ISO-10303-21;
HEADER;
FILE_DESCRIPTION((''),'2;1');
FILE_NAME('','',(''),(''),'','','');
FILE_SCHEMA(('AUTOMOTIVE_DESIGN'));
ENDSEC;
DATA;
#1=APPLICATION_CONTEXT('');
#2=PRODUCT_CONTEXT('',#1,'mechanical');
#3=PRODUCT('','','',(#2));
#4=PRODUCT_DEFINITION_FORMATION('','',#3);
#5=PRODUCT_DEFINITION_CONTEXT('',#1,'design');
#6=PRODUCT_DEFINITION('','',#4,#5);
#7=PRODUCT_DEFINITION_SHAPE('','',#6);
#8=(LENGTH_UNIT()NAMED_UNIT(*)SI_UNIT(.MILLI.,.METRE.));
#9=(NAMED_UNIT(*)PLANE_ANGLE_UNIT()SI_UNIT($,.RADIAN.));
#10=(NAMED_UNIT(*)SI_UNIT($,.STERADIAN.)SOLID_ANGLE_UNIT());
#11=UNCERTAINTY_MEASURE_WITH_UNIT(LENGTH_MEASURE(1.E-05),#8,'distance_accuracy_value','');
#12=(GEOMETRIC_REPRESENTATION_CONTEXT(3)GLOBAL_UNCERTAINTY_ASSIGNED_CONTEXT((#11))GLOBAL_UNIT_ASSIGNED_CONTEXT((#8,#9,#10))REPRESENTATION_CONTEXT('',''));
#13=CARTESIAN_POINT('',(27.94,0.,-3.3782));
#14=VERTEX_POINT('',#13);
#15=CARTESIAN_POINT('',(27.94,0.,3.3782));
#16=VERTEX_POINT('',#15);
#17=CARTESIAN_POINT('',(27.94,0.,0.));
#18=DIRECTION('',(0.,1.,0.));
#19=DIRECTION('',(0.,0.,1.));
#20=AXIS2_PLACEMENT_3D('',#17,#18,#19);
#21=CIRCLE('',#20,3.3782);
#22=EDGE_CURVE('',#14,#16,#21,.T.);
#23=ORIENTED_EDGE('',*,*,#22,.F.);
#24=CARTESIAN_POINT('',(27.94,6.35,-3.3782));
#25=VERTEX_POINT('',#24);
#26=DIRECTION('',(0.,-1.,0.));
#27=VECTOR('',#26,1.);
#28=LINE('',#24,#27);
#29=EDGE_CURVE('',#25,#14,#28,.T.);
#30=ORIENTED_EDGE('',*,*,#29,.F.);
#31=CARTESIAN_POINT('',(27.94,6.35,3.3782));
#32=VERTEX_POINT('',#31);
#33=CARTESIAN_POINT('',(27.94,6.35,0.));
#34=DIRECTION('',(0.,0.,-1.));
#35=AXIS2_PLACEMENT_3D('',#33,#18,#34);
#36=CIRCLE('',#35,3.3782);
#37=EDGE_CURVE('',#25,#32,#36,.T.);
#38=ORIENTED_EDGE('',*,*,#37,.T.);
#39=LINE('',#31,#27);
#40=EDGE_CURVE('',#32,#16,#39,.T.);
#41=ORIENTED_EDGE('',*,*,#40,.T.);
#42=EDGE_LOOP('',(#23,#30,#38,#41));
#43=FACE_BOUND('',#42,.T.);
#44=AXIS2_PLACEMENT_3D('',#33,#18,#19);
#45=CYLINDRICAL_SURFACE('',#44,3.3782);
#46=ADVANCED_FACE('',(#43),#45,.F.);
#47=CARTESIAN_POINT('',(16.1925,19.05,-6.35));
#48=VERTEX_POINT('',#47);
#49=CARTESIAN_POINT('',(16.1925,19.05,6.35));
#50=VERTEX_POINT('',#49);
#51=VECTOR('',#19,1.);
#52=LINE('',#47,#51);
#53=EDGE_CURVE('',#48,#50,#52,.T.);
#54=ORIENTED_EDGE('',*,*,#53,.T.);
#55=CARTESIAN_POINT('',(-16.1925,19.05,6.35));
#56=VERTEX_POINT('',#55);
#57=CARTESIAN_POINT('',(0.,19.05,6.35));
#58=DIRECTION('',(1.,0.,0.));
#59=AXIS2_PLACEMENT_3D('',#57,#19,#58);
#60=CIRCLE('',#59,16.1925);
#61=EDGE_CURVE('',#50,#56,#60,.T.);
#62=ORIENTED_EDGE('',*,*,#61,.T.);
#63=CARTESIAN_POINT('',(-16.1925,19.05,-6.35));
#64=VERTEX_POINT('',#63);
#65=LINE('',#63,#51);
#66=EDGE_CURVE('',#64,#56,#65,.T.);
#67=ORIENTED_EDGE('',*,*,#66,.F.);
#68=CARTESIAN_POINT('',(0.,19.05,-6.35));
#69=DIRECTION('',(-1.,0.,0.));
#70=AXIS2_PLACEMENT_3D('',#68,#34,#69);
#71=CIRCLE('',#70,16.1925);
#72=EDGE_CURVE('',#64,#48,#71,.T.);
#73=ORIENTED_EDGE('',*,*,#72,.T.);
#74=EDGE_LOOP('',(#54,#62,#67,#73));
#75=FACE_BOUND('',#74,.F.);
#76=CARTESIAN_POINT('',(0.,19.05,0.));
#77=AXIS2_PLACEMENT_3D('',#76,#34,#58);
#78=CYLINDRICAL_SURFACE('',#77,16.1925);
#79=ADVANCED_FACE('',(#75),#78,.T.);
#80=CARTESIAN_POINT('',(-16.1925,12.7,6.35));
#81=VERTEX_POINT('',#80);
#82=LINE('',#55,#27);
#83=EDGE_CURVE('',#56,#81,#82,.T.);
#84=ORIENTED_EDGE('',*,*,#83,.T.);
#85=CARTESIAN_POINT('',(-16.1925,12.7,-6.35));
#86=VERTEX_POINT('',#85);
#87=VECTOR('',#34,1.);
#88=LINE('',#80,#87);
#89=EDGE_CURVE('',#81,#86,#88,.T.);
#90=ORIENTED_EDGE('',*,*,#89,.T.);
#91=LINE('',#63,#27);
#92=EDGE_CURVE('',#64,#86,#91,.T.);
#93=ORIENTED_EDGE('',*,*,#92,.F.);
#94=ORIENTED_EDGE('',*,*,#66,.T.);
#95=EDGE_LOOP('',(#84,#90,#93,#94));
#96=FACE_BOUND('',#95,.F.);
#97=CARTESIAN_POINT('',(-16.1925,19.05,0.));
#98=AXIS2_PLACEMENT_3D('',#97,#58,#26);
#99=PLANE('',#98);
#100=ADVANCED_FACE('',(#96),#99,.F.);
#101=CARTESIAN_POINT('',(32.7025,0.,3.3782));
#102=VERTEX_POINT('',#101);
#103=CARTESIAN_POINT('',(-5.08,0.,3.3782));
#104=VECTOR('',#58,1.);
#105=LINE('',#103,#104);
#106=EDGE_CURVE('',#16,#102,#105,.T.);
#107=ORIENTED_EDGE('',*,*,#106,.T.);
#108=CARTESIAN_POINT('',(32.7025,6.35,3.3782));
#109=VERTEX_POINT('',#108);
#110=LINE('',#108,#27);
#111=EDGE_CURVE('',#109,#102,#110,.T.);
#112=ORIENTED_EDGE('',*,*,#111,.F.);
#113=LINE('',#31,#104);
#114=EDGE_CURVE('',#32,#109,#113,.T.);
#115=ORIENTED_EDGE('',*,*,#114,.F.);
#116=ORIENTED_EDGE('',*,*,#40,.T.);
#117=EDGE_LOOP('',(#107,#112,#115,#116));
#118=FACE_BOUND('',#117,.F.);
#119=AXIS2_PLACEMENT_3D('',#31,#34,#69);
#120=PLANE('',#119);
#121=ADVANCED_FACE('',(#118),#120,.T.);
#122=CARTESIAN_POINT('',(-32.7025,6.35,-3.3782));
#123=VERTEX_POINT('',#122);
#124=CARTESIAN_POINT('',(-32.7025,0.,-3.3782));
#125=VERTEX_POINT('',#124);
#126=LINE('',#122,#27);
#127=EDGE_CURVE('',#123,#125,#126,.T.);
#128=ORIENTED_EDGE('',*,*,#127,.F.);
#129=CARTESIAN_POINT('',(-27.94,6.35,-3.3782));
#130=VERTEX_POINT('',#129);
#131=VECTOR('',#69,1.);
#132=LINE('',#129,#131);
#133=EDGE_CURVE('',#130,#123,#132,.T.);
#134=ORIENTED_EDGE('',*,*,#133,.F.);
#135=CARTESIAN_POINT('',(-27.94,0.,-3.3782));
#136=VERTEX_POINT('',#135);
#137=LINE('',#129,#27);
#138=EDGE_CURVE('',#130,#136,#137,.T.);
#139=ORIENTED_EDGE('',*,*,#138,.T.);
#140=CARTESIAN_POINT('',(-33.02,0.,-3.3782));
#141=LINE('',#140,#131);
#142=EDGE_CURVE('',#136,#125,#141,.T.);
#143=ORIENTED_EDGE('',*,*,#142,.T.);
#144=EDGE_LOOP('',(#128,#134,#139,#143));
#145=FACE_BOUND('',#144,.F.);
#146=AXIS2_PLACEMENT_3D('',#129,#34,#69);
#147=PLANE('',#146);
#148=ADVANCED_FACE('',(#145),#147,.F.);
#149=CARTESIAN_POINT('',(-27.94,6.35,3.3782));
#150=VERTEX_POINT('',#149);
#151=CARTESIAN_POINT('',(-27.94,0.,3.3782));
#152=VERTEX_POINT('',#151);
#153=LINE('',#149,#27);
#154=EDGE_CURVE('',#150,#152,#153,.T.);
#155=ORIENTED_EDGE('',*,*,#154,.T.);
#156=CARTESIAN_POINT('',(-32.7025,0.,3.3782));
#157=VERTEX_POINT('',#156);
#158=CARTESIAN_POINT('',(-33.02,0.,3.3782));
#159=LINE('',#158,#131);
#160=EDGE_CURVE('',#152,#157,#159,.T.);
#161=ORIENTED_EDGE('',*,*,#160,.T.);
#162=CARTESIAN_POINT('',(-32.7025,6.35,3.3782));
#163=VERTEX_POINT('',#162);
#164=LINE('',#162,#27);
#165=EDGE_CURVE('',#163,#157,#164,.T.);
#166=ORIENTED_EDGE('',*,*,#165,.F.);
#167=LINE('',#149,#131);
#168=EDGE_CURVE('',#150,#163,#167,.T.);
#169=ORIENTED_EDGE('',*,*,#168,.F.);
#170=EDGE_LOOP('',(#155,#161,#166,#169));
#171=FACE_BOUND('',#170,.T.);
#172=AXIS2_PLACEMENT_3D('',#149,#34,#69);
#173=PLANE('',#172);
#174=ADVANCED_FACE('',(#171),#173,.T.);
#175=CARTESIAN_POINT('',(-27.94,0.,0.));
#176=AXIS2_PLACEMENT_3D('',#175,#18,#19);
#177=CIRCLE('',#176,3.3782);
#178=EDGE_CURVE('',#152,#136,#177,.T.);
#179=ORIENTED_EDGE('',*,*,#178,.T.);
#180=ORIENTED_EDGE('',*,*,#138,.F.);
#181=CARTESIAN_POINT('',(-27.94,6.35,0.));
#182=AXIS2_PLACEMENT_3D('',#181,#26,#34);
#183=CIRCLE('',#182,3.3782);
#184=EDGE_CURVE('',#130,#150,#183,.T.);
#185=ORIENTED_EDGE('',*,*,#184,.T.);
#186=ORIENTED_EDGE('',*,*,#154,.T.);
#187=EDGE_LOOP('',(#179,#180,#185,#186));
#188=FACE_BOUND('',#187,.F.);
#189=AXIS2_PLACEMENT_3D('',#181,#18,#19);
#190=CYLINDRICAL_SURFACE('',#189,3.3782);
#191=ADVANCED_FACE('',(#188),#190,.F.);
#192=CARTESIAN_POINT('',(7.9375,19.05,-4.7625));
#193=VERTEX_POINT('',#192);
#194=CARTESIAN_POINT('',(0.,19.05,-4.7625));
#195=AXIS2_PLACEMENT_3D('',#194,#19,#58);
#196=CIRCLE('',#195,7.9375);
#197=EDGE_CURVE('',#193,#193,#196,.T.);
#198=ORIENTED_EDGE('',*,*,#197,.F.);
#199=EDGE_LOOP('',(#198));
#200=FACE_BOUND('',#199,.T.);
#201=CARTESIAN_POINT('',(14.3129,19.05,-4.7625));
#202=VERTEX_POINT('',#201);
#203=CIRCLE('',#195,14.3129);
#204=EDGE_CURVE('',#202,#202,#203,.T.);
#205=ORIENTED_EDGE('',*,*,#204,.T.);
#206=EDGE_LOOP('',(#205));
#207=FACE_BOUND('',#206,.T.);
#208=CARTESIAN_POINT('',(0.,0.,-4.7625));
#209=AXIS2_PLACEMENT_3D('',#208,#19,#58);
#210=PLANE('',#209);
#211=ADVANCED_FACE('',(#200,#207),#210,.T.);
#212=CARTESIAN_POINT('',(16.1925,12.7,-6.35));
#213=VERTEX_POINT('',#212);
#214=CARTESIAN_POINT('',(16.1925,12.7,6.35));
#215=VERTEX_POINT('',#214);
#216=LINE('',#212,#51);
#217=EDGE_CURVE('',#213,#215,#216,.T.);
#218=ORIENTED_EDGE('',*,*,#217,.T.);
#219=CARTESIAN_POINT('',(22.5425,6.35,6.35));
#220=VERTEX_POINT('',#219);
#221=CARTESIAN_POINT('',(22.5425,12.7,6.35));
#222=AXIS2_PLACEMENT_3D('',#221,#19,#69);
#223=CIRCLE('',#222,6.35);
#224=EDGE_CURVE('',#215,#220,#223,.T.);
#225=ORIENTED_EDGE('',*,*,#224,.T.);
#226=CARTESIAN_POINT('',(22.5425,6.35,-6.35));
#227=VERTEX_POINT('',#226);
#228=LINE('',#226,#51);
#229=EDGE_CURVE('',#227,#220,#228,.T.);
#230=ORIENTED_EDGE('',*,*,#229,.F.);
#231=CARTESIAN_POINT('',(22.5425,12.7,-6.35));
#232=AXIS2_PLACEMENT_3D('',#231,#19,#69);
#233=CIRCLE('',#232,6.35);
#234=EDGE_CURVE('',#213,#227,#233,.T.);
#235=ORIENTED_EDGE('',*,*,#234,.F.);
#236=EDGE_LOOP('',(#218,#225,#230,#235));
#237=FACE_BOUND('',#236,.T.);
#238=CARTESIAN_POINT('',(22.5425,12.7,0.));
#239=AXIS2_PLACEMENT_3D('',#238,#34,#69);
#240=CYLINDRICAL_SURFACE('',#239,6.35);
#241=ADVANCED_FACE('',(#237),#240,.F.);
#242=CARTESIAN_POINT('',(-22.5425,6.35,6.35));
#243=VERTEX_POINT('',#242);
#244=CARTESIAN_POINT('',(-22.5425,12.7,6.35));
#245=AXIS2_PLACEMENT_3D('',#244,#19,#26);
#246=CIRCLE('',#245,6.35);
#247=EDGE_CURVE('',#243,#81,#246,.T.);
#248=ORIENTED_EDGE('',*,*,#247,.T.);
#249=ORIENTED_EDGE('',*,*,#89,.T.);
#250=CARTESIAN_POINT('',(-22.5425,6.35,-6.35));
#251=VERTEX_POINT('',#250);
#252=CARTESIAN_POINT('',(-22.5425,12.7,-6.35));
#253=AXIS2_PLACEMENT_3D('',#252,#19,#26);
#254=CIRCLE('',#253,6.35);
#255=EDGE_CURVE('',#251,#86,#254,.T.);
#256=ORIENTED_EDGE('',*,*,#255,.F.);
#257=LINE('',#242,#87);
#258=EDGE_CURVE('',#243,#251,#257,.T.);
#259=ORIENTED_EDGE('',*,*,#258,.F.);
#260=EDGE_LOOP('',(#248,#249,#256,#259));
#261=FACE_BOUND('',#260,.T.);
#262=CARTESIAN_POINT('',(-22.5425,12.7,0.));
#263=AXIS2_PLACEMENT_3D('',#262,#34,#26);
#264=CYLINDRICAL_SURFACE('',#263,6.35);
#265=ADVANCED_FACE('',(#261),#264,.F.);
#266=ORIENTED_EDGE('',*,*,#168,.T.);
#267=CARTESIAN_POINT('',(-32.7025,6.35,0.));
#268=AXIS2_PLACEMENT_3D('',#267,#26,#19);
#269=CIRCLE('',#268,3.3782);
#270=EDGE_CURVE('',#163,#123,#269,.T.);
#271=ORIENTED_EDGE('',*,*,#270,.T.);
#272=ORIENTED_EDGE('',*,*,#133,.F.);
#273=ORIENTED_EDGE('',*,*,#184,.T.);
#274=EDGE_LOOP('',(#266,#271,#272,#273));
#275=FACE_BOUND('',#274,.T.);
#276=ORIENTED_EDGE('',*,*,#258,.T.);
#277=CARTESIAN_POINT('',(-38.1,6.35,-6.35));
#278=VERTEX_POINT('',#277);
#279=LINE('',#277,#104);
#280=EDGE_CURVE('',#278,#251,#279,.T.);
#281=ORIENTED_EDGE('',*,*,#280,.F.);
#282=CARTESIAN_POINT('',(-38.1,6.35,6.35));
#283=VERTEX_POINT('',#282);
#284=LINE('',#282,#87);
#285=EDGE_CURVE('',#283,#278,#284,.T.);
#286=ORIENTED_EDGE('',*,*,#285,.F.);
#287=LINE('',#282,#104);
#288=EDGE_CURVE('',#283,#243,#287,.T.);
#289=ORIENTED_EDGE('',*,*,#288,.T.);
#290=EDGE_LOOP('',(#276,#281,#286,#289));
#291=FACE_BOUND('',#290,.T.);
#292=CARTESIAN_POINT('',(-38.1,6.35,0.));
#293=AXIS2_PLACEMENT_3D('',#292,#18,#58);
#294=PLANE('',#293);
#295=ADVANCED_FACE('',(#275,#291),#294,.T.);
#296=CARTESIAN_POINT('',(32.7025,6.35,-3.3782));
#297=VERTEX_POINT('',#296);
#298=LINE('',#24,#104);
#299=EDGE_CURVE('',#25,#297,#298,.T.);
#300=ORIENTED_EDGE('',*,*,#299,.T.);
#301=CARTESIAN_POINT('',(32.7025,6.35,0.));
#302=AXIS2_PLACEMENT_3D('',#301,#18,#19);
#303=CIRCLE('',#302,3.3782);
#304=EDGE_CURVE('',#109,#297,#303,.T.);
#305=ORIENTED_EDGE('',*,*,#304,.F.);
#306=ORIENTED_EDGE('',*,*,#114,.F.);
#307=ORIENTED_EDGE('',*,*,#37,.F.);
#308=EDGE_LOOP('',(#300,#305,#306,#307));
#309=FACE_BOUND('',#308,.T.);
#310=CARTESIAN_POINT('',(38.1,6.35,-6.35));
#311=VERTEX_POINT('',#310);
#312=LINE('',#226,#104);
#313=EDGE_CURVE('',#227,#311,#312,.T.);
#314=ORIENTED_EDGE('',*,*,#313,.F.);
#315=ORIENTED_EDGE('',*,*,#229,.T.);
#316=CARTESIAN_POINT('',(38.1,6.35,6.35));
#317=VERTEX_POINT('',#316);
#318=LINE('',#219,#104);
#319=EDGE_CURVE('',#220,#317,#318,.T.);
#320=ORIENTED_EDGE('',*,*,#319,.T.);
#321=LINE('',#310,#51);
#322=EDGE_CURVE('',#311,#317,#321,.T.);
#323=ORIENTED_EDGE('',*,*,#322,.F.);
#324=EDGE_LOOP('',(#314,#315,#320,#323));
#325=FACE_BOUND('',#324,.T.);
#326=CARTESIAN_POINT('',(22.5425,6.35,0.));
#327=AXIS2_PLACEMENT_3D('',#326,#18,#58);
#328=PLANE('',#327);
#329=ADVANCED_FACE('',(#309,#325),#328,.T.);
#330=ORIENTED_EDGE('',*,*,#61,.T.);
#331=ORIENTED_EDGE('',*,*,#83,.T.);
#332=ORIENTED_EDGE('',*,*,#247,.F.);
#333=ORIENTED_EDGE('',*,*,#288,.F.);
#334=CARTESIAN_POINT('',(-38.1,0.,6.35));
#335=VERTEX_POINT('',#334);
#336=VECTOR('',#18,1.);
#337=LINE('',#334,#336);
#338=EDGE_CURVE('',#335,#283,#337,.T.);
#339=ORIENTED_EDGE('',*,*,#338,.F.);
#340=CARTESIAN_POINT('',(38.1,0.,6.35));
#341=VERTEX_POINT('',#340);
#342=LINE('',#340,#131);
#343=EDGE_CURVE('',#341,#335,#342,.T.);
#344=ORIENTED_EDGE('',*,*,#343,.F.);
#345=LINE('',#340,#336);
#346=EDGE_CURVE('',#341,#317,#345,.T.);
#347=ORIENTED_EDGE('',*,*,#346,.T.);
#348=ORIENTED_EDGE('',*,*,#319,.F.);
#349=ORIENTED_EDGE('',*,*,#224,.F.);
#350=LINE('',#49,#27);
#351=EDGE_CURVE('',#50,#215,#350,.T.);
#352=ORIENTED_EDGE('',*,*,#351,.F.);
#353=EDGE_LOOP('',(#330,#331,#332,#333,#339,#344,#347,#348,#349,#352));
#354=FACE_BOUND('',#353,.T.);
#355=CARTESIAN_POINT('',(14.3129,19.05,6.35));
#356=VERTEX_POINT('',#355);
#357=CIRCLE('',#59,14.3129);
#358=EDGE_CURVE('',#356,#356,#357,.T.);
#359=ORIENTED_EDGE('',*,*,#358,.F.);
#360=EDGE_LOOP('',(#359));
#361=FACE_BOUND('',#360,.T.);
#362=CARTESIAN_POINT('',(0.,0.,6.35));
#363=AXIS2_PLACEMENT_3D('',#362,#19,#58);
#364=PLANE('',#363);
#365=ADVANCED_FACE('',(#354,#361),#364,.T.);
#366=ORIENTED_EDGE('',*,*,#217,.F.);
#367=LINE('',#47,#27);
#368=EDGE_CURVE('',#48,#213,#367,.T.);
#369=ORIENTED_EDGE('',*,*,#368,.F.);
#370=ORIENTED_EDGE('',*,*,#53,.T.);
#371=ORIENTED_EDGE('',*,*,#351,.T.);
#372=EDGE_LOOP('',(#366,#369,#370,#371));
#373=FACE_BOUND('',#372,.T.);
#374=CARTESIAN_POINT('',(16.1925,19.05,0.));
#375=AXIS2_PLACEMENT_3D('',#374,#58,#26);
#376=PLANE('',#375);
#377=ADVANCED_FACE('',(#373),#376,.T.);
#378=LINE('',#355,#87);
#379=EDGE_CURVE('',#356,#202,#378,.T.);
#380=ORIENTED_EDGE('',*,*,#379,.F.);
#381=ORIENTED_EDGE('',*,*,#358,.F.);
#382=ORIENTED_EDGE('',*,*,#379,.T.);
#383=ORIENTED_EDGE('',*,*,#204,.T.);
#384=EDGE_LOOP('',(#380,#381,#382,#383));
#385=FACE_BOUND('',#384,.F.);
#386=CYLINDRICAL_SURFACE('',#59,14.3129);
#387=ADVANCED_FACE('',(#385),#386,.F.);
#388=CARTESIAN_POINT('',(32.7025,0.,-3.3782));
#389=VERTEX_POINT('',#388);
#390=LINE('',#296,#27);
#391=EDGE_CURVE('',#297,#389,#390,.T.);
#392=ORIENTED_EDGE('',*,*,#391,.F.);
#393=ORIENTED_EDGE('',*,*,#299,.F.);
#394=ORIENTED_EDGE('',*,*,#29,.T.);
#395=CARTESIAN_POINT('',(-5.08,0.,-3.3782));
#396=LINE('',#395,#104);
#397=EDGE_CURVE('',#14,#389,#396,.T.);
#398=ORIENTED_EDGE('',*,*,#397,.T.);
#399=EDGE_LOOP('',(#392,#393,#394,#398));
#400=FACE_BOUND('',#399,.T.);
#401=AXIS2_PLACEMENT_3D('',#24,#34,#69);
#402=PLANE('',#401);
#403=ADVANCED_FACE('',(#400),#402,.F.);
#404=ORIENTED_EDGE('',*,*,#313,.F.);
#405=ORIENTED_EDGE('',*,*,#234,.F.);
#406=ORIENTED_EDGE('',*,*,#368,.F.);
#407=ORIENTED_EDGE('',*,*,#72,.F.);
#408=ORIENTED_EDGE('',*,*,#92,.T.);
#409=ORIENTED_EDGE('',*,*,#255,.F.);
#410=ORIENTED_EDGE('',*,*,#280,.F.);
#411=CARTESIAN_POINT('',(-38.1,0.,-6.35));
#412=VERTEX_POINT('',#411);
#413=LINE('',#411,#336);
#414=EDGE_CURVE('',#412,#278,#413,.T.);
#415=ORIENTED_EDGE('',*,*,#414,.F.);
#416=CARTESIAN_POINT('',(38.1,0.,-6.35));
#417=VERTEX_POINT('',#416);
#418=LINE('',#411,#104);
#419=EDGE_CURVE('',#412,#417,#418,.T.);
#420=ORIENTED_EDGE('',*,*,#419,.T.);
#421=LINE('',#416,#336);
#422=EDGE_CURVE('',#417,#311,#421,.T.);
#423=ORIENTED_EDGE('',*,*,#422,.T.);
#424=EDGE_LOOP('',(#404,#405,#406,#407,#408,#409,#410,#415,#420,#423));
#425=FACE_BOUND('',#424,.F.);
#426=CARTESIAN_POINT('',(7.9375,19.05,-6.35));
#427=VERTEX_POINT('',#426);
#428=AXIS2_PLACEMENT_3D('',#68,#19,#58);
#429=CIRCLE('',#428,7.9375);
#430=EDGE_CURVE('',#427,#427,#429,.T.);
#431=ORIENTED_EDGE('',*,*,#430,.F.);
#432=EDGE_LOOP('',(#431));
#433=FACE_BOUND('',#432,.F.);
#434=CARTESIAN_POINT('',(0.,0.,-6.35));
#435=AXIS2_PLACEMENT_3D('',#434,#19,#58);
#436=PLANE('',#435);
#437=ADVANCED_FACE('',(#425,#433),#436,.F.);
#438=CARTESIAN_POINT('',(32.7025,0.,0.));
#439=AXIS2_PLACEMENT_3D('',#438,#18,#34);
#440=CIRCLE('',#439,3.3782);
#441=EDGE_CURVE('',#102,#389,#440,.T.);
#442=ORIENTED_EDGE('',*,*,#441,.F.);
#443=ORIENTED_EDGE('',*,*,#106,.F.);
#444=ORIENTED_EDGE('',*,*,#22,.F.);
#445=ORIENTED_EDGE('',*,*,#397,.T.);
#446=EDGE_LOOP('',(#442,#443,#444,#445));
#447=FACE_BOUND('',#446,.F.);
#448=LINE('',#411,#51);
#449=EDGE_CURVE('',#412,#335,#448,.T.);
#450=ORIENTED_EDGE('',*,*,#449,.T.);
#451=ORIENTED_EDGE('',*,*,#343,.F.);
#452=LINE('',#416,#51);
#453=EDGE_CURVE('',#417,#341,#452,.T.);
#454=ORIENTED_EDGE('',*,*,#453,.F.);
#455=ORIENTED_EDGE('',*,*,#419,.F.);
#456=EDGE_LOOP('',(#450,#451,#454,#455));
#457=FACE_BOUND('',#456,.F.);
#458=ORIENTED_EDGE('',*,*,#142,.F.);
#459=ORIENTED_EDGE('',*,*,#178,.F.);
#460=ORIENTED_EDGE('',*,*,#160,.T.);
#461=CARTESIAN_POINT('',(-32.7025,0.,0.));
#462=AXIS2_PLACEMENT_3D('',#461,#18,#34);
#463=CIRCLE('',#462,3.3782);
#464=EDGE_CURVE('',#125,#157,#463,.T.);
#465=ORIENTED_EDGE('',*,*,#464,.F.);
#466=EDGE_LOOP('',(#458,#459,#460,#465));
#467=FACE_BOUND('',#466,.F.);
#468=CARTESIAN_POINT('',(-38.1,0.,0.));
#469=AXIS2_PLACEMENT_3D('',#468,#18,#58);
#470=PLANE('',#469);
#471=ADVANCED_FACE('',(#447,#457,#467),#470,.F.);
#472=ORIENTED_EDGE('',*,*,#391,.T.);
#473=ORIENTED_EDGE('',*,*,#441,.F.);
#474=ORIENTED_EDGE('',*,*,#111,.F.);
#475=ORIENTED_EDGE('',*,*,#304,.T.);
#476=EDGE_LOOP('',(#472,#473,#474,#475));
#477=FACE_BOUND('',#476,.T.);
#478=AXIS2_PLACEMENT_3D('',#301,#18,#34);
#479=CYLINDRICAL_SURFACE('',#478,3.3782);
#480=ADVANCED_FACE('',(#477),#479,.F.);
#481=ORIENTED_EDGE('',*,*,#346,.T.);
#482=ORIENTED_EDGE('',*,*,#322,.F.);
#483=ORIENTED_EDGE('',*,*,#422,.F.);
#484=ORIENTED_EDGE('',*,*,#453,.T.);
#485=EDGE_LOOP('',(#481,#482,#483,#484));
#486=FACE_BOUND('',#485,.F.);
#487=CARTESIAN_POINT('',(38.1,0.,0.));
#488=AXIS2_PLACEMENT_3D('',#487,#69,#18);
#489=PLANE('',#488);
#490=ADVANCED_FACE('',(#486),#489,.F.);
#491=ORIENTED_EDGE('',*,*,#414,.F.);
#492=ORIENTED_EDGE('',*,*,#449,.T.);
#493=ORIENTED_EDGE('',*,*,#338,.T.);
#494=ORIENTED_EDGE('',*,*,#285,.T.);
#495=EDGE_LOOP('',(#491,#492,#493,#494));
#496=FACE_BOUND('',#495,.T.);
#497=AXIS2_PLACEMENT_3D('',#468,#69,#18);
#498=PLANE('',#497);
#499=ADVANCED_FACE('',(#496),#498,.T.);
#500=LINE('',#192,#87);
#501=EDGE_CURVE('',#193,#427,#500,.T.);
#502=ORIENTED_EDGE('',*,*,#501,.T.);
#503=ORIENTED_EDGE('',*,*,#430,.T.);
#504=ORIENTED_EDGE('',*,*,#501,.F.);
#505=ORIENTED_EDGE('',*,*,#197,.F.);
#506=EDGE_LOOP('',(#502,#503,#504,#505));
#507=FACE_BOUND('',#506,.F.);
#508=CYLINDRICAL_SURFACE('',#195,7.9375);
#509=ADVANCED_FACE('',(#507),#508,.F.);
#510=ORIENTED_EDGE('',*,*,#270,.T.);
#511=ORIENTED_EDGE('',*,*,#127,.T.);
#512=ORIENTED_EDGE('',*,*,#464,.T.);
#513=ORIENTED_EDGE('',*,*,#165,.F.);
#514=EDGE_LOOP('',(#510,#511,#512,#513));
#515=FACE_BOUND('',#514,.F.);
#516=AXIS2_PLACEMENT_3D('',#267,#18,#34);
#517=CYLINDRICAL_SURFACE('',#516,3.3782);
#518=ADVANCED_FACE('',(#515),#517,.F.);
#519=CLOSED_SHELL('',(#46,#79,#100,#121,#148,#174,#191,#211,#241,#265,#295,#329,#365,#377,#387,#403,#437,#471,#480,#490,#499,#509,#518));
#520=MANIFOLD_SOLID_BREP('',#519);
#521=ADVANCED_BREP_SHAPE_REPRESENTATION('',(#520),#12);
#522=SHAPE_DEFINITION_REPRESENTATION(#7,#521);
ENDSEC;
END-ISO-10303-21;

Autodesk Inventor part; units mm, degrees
ref_plane "YZ Plane" through (0, 0, 0) normal (1, 0, 0) x (0, 1, 0)
ref_plane "XZ Plane" through (0, 0, 0) normal (0, 1, 0) x (-1, 0, 0)
ref_plane "XY Plane" through (0, 0, 0) normal (0, 0, 1) x (1, 0, 0)
sketch "Sketch1" plane through (0, 0, 0) normal (0, 0, 1) x (1, 0, 0)
  line L0 (-53.34, 0) -> (53.34, 0) projected
  line L1 (0, -7.0485) -> (0, 42.291) projected
  line L2 (-38.1, 0) -> (38.1, 0)
  arc A0 (16.1925, 19.05) -> (-16.1925, 19.05) centre (0, 19.05) ccw
  line L3 (-38.1, 6.35) -> (-22.5425, 6.35)
  line L4 (22.5425, 6.35) -> (38.1, 6.35)
  line L5 (38.1, 0) -> (38.1, 6.35)
  line L6 (-38.1, 0) -> (-38.1, 6.35)
  line L7 (-16.1925, 19.05) -> (-16.1925, 12.7)
  line L8 (16.1925, 19.05) -> (16.1925, 12.7)
  arc A1 (-22.5425, 6.35) -> (-16.1925, 12.7) centre (-22.5425, 12.7) ccw
  arc A2 (16.1925, 12.7) -> (22.5425, 6.35) centre (22.5425, 12.7) ccw
  point P0 (0, 0)
  point P1 (-10.0453, 6.35)
  point P2 (10.0453, 6.35)
  dimension "d0" = 76.2
  dimension "d1" = 32.385
  dimension "d4" = 6.35
  dimension "d5" = 19.05
  dimension "d6" = 6.35
extrude "Extrusion1" add sketch "Sketch1" along normal mid plane 12.7
sketch "Sketch2" plane through (0, 0, 6.35) normal (0, 0, 1) x (1, 0, 0)
  arc A0 (16.1925, 19.05) -> (-16.1925, 19.05) centre (0, 19.05) ccw projected
  circle A1 centre (0, 19.05) radius 14.3129
  point P0 (0, 0)
  dimension "d9" = 28.6258
extrude "Extrusion2" cut sketch "Sketch2" against normal blind 11.1125
sketch "Sketch3" plane through (0, 19.05, -4.7625) normal (0, 0, 1) x (1, 0, 0)
  circle A0 centre (0, 0) radius 14.3129 projected
  circle A1 centre (0, 0) radius 7.9375
  point P0 (0, -19.05)
  dimension "d14" = 15.875
extrude "Extrusion3" cut sketch "Sketch3" against normal through all contours A1
sketch "Sketch4" plane through (-38.1, 6.35, 6.35) normal (0, 1, 0) x (1, 0, 0)
  line L0 (15.5575, 12.7) -> (0, 12.7) projected
  arc A0 (5.3975, 9.7282) -> (5.3975, 2.9718) centre (5.3975, 6.35) ccw
  line L1 (-15.24, 6.35) -> (91.44, 6.35) projected
  line L2 (38.1, 15.24) -> (38.1, -2.54) projected
  arc A1 (10.16, 2.9718) -> (10.16, 9.7282) centre (10.16, 6.35) ccw
  line L3 (10.16, 9.7282) -> (5.3975, 9.7282)
  line L4 (10.16, 2.9718) -> (5.3975, 2.9718)
  line L5 (7.7788, 2.9718) -> (7.7788, 9.7282) construction
  point P0 (38.1, 6.35)
  point P1 (7.7788, 12.7)
  dimension "d16" = 3.3782
  dimension "d17" = 4.7625
extrude "Mount Slot" cut sketch "Sketch4" against normal through all
mirror "Mirror1" about plane through (0, 0, 0) normal (1, 0, 0) of "Mount Slot"
properties part number "side mount bearing block"
